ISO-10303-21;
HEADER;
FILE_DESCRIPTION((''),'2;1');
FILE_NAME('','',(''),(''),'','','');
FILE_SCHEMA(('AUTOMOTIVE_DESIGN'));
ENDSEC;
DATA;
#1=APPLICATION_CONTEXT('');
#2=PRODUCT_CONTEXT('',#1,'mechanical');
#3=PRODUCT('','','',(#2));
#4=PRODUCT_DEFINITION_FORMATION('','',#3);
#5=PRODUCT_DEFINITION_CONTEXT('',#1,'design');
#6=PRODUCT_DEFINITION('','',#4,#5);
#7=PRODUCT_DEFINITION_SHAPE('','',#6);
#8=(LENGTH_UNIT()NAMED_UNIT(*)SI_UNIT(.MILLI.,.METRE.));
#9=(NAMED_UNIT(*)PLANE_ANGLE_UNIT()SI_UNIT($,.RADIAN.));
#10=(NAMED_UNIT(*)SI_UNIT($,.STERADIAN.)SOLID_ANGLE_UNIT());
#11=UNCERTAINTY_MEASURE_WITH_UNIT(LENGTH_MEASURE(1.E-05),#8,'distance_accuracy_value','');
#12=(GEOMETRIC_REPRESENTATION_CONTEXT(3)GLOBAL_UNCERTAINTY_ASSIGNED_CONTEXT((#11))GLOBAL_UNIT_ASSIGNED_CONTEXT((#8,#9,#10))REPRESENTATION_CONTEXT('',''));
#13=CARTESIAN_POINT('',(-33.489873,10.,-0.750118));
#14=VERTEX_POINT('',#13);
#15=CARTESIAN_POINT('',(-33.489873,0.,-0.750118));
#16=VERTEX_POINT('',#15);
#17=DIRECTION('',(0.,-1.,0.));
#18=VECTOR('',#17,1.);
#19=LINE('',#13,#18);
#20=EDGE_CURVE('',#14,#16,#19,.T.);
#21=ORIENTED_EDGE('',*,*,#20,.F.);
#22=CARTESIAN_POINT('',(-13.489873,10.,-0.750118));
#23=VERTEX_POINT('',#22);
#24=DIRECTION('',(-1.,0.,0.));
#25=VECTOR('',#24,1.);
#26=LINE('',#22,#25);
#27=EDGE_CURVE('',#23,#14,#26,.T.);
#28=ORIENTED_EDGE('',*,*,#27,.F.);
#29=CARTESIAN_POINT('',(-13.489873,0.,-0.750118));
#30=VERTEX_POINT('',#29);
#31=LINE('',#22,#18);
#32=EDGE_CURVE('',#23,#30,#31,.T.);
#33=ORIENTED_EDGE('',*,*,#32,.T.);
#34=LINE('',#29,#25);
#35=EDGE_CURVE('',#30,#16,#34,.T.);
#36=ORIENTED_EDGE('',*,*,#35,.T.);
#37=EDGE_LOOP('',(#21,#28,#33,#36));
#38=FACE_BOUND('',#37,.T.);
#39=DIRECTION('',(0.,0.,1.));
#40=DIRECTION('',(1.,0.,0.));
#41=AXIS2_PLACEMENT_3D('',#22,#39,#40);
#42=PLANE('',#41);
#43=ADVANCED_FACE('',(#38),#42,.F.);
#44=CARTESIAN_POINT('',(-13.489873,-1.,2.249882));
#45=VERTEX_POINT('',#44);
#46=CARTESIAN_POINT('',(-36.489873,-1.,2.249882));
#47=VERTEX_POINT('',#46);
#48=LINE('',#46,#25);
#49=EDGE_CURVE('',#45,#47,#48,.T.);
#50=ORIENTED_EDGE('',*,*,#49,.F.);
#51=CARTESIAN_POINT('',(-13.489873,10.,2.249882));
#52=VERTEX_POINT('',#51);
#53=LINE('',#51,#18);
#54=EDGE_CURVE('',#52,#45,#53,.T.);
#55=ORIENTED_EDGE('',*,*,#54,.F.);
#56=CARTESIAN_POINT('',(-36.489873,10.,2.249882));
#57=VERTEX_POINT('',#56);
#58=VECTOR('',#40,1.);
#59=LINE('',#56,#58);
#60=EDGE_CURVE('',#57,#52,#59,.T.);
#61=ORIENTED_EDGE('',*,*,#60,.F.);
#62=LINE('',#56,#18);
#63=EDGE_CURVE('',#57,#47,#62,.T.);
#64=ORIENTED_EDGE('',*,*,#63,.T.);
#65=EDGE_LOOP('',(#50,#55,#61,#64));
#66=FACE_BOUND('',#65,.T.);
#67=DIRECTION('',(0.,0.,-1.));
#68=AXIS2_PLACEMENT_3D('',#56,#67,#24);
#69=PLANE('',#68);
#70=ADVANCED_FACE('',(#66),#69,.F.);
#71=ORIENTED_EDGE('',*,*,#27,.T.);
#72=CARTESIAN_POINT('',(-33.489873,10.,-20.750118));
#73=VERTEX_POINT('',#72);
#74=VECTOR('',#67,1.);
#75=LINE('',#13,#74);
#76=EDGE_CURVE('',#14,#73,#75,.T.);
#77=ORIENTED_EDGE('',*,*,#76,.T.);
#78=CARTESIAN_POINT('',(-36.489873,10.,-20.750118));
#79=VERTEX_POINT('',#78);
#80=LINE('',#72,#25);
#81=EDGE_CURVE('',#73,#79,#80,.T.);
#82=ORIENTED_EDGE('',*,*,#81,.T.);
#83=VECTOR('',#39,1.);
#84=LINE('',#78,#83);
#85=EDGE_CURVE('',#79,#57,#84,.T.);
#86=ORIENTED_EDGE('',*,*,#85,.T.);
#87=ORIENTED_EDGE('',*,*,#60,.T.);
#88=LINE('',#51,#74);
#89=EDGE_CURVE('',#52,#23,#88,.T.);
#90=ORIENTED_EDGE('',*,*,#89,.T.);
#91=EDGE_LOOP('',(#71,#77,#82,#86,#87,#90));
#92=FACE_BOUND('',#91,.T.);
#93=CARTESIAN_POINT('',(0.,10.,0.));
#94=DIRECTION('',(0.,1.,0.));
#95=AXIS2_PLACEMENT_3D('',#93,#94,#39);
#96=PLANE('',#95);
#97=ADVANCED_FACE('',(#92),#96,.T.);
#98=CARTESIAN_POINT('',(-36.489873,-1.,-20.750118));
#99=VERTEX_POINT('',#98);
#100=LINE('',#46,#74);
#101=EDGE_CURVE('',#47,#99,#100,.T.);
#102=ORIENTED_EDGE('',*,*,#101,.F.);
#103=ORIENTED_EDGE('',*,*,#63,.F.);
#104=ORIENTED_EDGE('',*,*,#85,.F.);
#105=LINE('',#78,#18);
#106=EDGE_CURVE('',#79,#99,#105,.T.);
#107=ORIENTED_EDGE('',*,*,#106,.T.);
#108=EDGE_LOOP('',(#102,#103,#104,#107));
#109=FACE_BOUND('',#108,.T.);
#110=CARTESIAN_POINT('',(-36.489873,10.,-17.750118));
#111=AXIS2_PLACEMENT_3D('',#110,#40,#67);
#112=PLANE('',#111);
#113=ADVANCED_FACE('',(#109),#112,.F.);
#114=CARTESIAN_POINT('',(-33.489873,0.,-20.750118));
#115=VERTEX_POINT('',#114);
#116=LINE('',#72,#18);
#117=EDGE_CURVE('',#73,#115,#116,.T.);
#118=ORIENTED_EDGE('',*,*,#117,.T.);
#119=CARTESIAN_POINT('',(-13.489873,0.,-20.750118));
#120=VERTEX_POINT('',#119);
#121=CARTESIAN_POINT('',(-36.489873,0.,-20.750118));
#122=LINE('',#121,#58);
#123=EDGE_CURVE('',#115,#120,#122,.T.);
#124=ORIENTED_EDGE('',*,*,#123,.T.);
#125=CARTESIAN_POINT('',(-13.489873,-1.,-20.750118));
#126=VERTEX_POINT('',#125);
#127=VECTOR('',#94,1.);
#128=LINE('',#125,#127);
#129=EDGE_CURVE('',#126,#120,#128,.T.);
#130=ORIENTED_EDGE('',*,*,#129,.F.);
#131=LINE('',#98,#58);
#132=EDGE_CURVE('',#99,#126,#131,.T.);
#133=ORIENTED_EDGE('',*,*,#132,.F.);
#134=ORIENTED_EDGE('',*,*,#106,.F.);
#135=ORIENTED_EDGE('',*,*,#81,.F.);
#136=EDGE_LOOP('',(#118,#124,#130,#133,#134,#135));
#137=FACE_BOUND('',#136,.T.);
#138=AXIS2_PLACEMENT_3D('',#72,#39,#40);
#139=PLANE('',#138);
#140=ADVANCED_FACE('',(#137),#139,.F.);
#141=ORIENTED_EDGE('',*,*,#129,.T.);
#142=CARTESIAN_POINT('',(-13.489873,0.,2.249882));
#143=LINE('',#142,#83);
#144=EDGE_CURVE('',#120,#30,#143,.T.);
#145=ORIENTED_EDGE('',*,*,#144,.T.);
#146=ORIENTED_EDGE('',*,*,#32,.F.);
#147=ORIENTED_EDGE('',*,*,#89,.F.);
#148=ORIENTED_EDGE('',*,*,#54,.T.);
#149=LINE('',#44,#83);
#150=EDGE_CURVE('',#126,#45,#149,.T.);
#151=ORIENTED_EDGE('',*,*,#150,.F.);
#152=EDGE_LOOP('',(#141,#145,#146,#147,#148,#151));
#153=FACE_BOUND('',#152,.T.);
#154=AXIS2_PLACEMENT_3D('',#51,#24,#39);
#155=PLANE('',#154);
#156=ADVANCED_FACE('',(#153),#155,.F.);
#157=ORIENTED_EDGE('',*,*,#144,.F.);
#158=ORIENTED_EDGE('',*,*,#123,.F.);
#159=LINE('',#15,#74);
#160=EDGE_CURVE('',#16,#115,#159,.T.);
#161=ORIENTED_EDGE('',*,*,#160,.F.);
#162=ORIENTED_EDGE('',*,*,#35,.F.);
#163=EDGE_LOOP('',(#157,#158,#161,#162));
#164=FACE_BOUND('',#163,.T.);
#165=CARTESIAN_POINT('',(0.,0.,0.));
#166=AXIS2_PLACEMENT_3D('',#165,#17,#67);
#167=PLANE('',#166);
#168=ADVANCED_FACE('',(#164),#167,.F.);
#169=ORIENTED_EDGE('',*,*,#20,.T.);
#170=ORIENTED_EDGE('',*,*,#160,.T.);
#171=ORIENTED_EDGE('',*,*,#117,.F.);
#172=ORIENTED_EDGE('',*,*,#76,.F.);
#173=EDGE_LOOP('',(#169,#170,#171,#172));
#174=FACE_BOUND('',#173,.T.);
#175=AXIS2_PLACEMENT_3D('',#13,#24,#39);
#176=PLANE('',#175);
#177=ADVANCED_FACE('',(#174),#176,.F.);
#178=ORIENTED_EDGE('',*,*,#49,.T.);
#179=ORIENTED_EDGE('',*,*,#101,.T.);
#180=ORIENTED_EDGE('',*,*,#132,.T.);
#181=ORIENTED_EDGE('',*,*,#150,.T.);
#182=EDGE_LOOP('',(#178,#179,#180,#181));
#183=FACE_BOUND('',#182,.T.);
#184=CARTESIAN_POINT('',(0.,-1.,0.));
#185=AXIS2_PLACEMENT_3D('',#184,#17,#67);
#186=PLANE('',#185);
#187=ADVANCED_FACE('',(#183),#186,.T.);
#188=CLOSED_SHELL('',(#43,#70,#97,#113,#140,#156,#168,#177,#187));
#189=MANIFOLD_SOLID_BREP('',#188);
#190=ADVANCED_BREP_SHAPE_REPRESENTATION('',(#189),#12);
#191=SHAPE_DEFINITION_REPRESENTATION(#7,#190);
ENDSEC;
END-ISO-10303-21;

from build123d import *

# Parameters (mm, degrees)
BOSS_EXTRUDE1_DEPTH = 10
SKETCH2_W           = 23
SKETCH2_H           = 23
BOSS_EXTRUDE2_DEPTH = 1


with BuildPart() as part:
    # Sketch1 → Boss-Extrude1 (new body)
    with BuildSketch(Plane(origin=(0, 0, 0), x_dir=(1, 0, 0), z_dir=(0, 1, 0))):
        Polygon((-36.489872914, 17.750117647), (-36.489872914, -2.249882353), (-13.489872914, -2.249882353), (-13.489872914, 0.750117647), (-33.489872914, 0.750117647), (-33.489872914, 20.750117647), (-36.489872914, 20.750117647), align=None)
    extrude(amount=BOSS_EXTRUDE1_DEPTH)

    # Sketch2 → Boss-Extrude2 (add)
    with BuildSketch(Plane.XZ):
        with Locations((-24.989872914, -9.250117647)):
            Rectangle(SKETCH2_W, SKETCH2_H)
    extrude(amount=BOSS_EXTRUDE2_DEPTH)


solid = part.part
